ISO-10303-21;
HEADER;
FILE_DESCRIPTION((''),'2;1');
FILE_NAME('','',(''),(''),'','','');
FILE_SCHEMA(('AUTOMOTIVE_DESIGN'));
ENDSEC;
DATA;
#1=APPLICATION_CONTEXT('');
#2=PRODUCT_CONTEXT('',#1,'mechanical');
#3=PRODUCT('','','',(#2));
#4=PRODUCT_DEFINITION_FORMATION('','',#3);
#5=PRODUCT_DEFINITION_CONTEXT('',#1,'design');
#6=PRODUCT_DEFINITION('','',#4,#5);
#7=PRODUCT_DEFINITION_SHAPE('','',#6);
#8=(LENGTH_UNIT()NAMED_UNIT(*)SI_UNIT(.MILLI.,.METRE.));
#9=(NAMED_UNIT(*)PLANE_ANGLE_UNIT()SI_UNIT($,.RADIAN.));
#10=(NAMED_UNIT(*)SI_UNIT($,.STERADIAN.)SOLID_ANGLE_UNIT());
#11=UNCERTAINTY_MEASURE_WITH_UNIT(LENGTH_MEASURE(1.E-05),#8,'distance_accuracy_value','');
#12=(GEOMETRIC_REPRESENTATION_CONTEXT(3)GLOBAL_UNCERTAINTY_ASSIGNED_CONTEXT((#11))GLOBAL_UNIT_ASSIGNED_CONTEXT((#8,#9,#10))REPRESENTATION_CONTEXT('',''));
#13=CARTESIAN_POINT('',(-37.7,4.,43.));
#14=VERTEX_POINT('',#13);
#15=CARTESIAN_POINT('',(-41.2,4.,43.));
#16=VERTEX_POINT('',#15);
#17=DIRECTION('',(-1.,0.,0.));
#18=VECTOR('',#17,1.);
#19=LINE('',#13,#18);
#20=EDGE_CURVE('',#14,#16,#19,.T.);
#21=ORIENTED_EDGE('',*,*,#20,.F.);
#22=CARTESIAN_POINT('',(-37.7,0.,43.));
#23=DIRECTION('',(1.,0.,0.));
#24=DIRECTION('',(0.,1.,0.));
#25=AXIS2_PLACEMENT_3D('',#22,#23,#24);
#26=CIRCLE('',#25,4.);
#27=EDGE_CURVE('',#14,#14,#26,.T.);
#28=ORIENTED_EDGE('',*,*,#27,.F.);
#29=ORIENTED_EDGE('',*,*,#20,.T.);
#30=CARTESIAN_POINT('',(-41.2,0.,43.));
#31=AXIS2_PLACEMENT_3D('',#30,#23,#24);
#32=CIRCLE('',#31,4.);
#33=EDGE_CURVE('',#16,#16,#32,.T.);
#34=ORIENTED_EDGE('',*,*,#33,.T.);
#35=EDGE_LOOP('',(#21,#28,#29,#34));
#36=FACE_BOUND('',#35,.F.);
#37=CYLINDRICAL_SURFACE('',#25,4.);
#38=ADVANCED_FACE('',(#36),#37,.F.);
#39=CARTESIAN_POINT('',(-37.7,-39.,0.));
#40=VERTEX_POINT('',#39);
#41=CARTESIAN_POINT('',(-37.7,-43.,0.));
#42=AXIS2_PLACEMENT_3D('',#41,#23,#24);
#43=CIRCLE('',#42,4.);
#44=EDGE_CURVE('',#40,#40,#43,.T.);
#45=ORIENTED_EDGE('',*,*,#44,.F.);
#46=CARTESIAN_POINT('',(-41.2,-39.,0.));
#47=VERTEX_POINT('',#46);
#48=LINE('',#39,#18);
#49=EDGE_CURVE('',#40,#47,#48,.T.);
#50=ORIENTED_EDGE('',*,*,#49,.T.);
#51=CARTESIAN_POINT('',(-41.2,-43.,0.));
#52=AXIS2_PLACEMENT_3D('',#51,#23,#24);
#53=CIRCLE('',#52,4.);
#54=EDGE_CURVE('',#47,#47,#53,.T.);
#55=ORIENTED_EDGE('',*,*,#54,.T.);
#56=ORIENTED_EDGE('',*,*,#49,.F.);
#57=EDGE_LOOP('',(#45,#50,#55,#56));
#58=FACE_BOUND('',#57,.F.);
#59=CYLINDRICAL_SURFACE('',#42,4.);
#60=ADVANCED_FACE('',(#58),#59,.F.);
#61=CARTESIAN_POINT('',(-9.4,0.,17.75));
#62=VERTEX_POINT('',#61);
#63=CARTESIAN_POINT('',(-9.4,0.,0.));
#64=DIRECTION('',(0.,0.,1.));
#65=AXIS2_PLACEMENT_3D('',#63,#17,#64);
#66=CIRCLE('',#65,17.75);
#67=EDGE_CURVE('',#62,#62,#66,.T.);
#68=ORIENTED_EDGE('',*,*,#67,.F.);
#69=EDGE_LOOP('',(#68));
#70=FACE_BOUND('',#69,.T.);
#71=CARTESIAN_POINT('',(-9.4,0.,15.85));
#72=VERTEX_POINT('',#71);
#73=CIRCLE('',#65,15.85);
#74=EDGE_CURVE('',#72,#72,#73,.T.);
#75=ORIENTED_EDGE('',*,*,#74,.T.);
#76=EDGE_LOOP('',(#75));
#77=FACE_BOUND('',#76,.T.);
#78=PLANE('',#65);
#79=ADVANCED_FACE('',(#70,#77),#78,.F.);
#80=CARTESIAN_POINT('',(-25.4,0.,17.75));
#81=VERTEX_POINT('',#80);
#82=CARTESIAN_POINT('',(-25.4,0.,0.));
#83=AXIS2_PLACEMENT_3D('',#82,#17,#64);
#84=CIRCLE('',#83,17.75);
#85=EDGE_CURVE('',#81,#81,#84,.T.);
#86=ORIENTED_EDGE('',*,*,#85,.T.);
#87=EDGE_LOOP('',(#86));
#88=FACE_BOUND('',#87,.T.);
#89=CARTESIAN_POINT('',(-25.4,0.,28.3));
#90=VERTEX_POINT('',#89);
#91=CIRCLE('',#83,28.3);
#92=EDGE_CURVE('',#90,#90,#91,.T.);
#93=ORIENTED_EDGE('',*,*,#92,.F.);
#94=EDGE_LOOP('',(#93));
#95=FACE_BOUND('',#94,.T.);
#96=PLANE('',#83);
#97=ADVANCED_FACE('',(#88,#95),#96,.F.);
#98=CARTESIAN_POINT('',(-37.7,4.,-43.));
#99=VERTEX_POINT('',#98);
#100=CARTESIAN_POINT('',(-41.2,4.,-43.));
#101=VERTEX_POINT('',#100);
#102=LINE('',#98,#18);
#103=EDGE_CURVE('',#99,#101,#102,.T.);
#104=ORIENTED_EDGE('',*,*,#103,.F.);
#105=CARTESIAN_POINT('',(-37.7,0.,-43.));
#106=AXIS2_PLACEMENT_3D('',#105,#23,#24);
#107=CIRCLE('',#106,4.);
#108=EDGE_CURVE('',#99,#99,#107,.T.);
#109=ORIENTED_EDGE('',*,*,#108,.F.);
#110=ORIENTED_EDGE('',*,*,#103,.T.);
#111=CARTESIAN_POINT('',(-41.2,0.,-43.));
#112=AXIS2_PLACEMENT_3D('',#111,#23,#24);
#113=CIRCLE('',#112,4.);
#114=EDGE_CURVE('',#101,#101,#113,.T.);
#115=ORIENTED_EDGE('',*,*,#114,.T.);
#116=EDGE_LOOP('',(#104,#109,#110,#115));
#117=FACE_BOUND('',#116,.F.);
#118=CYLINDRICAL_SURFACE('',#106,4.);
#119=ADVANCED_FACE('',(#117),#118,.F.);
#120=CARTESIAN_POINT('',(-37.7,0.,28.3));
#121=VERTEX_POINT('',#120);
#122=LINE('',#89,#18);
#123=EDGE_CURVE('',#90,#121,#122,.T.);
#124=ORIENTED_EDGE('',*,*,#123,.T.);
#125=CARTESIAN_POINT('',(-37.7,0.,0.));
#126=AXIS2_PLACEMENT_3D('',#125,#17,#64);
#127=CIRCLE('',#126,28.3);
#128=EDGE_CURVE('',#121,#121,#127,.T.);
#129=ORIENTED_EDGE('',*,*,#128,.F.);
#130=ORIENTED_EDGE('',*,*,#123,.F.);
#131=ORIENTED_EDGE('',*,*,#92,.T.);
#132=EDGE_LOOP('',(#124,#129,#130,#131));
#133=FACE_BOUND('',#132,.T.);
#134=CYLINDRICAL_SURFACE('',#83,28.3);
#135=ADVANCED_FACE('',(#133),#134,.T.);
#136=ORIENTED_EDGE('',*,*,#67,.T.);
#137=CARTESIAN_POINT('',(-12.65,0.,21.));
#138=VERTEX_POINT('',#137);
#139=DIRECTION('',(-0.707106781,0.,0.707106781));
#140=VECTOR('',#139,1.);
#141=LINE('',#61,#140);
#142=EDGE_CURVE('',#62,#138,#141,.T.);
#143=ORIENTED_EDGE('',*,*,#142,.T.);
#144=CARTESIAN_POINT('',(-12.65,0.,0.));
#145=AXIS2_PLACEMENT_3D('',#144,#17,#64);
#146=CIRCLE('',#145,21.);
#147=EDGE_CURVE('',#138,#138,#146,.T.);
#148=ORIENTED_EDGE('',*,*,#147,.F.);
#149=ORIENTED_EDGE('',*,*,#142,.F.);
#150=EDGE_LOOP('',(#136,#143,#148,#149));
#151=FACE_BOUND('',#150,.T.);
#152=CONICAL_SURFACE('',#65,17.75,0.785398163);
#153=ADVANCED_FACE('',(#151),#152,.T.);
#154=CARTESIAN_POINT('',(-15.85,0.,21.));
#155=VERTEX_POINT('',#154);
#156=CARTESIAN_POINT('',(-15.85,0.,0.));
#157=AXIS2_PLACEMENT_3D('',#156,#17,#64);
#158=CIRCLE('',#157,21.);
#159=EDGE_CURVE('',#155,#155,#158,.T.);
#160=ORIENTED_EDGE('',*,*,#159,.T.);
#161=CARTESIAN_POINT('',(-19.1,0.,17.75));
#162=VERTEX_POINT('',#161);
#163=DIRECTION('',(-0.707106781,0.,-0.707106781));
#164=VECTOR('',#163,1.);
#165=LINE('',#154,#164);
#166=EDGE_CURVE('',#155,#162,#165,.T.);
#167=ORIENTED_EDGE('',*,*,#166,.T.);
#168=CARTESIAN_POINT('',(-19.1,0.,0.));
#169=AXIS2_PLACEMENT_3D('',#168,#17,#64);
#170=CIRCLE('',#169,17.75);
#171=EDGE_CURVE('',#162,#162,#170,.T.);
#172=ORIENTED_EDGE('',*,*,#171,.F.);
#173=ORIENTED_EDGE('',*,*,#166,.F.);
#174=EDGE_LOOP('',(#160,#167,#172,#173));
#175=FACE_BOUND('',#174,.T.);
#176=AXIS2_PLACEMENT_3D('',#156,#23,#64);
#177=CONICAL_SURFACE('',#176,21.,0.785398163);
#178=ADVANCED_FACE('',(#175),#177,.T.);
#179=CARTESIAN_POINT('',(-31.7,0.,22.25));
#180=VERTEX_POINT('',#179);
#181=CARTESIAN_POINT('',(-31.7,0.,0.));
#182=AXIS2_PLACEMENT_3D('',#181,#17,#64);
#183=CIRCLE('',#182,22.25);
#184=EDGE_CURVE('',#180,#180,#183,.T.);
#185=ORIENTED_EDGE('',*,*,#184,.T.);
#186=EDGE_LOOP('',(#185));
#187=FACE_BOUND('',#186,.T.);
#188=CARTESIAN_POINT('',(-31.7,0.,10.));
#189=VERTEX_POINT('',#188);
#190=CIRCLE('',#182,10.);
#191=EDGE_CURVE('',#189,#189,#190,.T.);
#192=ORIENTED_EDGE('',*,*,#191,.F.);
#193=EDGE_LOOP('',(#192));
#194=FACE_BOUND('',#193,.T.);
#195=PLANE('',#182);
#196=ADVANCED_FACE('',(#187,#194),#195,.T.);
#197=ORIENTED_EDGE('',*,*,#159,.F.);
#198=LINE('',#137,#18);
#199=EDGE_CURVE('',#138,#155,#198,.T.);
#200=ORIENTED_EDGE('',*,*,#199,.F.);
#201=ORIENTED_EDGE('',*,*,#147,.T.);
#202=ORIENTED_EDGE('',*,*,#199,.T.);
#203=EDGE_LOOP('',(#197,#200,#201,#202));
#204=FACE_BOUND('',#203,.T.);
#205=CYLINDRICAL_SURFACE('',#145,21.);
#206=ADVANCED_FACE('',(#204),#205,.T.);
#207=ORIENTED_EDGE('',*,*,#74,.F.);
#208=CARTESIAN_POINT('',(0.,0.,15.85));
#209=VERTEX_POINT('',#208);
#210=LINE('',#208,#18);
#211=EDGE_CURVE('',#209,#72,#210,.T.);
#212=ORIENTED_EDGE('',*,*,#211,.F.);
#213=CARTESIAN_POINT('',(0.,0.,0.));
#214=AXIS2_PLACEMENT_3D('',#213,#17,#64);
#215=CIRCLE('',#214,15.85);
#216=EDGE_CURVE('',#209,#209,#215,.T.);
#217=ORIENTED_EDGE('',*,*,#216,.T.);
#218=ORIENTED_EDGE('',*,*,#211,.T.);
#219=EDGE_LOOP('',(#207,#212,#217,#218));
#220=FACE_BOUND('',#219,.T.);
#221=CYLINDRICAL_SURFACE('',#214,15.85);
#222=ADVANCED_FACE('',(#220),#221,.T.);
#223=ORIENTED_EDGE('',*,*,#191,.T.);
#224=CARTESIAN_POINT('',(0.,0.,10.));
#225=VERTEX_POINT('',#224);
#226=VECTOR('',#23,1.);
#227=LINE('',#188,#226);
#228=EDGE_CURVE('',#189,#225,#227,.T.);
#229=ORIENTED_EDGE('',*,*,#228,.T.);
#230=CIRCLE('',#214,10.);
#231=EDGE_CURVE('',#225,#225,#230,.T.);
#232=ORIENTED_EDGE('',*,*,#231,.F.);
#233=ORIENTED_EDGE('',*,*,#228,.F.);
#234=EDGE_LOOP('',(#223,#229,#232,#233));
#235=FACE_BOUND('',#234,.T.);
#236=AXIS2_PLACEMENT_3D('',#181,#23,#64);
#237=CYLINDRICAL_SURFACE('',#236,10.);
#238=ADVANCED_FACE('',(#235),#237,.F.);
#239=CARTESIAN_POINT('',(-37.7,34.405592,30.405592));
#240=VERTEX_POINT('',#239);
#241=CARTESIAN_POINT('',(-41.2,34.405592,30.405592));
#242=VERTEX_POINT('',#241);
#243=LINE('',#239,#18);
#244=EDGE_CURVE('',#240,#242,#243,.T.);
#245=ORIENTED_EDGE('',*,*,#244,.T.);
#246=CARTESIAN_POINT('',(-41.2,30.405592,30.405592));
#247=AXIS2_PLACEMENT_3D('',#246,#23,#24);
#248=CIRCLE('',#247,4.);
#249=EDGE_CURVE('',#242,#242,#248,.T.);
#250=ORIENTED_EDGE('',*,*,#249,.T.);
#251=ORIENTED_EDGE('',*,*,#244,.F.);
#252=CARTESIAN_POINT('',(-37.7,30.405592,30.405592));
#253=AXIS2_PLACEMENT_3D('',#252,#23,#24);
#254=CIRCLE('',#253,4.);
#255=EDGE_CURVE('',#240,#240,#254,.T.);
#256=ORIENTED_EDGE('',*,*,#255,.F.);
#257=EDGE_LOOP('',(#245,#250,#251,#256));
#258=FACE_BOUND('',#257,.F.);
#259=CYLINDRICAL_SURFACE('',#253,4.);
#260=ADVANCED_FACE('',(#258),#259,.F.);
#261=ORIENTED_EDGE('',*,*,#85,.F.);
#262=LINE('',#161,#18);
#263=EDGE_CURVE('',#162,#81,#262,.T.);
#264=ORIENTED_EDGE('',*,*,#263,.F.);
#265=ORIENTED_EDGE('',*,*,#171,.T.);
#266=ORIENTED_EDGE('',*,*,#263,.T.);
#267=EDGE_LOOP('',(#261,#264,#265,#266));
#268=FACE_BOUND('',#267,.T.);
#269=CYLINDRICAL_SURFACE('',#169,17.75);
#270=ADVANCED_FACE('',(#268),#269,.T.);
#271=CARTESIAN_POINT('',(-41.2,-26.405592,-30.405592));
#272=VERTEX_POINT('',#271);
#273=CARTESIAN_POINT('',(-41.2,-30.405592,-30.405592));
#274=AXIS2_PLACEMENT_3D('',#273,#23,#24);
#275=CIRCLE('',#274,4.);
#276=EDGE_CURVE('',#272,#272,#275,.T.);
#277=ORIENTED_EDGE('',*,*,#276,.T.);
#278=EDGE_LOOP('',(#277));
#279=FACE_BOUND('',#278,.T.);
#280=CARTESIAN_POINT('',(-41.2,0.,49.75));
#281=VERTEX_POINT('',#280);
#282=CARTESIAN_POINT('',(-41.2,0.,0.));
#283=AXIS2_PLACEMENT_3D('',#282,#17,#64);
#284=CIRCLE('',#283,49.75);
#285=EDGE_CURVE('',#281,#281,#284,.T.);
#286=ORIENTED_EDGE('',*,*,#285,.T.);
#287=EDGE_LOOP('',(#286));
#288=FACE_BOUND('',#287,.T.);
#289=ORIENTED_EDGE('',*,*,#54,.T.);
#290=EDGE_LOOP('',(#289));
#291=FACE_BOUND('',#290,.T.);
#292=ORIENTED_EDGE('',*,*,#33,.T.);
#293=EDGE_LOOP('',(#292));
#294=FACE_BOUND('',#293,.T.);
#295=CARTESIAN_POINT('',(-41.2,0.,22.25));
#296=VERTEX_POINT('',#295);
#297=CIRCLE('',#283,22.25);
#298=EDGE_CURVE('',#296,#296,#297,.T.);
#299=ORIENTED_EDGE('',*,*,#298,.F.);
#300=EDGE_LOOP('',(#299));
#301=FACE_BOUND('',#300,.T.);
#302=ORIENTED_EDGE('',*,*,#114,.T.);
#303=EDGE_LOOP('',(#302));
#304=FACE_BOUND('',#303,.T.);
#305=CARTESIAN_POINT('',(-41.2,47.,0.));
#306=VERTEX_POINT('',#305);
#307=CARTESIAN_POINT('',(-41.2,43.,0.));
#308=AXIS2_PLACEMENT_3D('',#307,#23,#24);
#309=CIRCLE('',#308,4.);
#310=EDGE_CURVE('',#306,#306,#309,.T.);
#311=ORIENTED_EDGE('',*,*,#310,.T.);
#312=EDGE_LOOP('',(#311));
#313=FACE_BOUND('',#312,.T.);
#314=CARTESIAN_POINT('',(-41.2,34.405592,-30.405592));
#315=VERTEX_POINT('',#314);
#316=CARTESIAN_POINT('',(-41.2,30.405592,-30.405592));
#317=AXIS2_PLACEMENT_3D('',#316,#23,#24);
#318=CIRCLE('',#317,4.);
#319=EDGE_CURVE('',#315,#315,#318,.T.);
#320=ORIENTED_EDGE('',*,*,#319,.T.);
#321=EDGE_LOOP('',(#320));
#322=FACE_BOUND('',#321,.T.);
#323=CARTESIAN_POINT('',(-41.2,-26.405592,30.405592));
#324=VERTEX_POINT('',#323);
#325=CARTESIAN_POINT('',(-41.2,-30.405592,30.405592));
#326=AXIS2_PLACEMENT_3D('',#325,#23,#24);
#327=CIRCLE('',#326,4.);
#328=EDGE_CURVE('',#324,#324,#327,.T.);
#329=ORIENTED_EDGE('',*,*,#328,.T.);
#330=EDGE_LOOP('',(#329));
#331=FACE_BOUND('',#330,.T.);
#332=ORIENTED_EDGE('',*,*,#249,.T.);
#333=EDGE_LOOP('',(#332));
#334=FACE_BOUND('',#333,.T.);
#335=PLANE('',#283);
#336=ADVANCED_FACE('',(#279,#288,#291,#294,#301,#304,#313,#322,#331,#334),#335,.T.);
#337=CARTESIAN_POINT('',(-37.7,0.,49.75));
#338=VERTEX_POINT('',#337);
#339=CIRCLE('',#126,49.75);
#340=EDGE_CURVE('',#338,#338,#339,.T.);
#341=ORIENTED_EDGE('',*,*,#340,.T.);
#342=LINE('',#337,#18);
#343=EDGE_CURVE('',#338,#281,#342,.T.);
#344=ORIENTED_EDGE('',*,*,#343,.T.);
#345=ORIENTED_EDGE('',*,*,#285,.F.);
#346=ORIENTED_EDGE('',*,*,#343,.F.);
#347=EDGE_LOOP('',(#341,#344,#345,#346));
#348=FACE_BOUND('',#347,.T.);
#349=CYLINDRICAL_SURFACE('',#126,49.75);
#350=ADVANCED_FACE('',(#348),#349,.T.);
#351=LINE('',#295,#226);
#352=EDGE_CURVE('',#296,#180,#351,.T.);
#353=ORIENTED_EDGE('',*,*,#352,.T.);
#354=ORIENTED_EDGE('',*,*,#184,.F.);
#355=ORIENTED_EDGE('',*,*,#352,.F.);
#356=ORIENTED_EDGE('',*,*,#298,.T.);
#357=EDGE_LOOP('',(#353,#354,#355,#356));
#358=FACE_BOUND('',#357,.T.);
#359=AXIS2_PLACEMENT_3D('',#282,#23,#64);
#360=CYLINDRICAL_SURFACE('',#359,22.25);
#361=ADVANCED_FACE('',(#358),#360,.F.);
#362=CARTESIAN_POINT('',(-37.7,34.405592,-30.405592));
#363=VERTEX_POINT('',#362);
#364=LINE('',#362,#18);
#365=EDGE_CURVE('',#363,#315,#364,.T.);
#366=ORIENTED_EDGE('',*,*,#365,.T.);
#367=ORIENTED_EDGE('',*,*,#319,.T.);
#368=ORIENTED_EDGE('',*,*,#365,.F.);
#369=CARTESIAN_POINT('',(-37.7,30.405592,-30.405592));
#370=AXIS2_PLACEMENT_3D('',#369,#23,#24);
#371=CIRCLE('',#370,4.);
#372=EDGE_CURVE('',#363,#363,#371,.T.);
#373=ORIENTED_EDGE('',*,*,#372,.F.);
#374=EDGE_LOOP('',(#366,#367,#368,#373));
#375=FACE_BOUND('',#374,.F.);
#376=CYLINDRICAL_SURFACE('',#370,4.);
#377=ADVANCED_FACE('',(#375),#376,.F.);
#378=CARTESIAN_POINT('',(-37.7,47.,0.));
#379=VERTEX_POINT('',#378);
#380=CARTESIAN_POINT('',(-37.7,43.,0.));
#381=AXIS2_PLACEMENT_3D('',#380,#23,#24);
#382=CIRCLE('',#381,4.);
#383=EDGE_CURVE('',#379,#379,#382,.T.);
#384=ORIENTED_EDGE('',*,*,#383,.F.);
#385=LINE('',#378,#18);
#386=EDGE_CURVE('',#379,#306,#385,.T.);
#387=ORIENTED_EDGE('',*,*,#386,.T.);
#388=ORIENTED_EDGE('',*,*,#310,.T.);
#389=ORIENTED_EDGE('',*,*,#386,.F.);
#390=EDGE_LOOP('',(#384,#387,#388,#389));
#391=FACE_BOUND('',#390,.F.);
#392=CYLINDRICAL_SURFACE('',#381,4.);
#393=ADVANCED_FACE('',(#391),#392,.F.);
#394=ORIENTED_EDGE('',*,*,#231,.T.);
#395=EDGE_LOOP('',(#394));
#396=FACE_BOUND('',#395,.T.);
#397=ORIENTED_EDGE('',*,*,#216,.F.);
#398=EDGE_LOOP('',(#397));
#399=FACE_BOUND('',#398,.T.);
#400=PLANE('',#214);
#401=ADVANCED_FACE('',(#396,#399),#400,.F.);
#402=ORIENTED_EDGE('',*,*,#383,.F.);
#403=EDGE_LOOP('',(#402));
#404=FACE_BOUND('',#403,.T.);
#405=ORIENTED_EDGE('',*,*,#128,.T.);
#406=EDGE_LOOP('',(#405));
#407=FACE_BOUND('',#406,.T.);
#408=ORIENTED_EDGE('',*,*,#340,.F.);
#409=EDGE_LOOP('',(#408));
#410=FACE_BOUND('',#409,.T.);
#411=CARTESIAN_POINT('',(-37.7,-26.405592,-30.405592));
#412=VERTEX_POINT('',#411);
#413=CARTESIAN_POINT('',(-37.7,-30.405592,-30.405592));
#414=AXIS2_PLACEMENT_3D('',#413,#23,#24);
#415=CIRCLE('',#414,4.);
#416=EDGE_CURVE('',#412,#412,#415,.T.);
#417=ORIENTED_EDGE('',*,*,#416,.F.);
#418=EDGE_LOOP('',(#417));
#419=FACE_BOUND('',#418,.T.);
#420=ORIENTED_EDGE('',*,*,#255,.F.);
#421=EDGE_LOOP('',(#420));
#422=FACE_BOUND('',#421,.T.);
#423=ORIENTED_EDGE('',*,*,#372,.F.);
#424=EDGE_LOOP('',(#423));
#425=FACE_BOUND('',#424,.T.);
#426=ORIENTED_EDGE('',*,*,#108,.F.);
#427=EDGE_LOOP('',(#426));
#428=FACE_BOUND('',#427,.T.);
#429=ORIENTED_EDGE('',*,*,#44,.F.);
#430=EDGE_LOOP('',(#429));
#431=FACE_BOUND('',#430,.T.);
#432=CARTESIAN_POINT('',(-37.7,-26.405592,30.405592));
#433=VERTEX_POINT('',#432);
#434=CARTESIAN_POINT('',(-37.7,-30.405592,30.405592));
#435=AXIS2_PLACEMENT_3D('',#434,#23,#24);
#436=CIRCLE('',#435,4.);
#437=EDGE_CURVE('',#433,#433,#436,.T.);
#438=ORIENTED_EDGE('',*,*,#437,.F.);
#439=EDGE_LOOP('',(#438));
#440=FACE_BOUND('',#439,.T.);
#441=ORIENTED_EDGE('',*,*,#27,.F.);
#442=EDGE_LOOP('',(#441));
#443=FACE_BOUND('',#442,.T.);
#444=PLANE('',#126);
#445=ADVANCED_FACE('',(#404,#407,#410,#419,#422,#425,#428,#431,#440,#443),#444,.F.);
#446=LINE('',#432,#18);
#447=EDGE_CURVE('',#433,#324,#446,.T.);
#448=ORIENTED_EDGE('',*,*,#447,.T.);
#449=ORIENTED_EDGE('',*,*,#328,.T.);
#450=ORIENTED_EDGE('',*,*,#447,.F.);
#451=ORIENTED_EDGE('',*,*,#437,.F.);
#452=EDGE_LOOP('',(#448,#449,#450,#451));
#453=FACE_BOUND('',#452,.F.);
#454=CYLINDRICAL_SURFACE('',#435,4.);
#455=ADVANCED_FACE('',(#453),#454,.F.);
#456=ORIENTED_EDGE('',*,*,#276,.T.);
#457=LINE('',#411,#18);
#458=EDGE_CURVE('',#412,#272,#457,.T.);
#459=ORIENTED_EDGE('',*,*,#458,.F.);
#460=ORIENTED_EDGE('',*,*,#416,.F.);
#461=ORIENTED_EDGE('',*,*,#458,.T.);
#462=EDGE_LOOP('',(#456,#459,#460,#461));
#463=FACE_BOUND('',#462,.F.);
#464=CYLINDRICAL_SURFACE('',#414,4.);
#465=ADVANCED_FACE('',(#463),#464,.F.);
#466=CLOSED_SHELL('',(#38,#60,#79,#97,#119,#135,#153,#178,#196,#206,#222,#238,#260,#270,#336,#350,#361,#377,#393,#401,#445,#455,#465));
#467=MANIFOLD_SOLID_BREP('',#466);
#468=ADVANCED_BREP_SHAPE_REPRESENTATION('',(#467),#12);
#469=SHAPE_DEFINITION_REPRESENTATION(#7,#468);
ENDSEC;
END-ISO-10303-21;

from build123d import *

# Parameters (mm, degrees)
F2_R     = 4
F3_DEPTH = 3.501


with BuildPart() as f1:
    # F0 (on Front) → F1 (revolve)
    with BuildSketch(Plane.XZ):
        Polygon((-37.7, 28.3), (-37.7, 49.75), (-41.2, 49.75), (-41.2, 22.25), (-31.7, 22.25), (-31.7, 10), (0, 10), (0, 15.85), (-9.4, 15.85), (-9.4, 17.75), (-12.65, 21), (-15.85, 21), (-19.1, 17.75), (-25.4, 17.75), (-25.4, 28.3), align=None)
    revolve(axis=Axis((-20.6, 0, 0), (-1, 0, 0)))

    # F2 (on face) → F3 (cut, through all)
    with BuildSketch(Plane.YZ.offset(-37.7)):
        with Locations((0, 43)):
            Circle(F2_R)
        with Locations((-30.405592, 30.405592)):
            Circle(F2_R)
        with Locations((-43, 0)):
            Circle(F2_R)
        with Locations((-30.405592, -30.405592)):
            Circle(F2_R)
        with Locations((0, -43)):
            Circle(F2_R)
        with Locations((30.405592, -30.405592)):
            Circle(F2_R)
        with Locations((43, 0)):
            Circle(F2_R)
        with Locations((30.405592, 30.405592)):
            Circle(F2_R)
    extrude(amount=-F3_DEPTH, mode=Mode.SUBTRACT)


solid = f1.part
